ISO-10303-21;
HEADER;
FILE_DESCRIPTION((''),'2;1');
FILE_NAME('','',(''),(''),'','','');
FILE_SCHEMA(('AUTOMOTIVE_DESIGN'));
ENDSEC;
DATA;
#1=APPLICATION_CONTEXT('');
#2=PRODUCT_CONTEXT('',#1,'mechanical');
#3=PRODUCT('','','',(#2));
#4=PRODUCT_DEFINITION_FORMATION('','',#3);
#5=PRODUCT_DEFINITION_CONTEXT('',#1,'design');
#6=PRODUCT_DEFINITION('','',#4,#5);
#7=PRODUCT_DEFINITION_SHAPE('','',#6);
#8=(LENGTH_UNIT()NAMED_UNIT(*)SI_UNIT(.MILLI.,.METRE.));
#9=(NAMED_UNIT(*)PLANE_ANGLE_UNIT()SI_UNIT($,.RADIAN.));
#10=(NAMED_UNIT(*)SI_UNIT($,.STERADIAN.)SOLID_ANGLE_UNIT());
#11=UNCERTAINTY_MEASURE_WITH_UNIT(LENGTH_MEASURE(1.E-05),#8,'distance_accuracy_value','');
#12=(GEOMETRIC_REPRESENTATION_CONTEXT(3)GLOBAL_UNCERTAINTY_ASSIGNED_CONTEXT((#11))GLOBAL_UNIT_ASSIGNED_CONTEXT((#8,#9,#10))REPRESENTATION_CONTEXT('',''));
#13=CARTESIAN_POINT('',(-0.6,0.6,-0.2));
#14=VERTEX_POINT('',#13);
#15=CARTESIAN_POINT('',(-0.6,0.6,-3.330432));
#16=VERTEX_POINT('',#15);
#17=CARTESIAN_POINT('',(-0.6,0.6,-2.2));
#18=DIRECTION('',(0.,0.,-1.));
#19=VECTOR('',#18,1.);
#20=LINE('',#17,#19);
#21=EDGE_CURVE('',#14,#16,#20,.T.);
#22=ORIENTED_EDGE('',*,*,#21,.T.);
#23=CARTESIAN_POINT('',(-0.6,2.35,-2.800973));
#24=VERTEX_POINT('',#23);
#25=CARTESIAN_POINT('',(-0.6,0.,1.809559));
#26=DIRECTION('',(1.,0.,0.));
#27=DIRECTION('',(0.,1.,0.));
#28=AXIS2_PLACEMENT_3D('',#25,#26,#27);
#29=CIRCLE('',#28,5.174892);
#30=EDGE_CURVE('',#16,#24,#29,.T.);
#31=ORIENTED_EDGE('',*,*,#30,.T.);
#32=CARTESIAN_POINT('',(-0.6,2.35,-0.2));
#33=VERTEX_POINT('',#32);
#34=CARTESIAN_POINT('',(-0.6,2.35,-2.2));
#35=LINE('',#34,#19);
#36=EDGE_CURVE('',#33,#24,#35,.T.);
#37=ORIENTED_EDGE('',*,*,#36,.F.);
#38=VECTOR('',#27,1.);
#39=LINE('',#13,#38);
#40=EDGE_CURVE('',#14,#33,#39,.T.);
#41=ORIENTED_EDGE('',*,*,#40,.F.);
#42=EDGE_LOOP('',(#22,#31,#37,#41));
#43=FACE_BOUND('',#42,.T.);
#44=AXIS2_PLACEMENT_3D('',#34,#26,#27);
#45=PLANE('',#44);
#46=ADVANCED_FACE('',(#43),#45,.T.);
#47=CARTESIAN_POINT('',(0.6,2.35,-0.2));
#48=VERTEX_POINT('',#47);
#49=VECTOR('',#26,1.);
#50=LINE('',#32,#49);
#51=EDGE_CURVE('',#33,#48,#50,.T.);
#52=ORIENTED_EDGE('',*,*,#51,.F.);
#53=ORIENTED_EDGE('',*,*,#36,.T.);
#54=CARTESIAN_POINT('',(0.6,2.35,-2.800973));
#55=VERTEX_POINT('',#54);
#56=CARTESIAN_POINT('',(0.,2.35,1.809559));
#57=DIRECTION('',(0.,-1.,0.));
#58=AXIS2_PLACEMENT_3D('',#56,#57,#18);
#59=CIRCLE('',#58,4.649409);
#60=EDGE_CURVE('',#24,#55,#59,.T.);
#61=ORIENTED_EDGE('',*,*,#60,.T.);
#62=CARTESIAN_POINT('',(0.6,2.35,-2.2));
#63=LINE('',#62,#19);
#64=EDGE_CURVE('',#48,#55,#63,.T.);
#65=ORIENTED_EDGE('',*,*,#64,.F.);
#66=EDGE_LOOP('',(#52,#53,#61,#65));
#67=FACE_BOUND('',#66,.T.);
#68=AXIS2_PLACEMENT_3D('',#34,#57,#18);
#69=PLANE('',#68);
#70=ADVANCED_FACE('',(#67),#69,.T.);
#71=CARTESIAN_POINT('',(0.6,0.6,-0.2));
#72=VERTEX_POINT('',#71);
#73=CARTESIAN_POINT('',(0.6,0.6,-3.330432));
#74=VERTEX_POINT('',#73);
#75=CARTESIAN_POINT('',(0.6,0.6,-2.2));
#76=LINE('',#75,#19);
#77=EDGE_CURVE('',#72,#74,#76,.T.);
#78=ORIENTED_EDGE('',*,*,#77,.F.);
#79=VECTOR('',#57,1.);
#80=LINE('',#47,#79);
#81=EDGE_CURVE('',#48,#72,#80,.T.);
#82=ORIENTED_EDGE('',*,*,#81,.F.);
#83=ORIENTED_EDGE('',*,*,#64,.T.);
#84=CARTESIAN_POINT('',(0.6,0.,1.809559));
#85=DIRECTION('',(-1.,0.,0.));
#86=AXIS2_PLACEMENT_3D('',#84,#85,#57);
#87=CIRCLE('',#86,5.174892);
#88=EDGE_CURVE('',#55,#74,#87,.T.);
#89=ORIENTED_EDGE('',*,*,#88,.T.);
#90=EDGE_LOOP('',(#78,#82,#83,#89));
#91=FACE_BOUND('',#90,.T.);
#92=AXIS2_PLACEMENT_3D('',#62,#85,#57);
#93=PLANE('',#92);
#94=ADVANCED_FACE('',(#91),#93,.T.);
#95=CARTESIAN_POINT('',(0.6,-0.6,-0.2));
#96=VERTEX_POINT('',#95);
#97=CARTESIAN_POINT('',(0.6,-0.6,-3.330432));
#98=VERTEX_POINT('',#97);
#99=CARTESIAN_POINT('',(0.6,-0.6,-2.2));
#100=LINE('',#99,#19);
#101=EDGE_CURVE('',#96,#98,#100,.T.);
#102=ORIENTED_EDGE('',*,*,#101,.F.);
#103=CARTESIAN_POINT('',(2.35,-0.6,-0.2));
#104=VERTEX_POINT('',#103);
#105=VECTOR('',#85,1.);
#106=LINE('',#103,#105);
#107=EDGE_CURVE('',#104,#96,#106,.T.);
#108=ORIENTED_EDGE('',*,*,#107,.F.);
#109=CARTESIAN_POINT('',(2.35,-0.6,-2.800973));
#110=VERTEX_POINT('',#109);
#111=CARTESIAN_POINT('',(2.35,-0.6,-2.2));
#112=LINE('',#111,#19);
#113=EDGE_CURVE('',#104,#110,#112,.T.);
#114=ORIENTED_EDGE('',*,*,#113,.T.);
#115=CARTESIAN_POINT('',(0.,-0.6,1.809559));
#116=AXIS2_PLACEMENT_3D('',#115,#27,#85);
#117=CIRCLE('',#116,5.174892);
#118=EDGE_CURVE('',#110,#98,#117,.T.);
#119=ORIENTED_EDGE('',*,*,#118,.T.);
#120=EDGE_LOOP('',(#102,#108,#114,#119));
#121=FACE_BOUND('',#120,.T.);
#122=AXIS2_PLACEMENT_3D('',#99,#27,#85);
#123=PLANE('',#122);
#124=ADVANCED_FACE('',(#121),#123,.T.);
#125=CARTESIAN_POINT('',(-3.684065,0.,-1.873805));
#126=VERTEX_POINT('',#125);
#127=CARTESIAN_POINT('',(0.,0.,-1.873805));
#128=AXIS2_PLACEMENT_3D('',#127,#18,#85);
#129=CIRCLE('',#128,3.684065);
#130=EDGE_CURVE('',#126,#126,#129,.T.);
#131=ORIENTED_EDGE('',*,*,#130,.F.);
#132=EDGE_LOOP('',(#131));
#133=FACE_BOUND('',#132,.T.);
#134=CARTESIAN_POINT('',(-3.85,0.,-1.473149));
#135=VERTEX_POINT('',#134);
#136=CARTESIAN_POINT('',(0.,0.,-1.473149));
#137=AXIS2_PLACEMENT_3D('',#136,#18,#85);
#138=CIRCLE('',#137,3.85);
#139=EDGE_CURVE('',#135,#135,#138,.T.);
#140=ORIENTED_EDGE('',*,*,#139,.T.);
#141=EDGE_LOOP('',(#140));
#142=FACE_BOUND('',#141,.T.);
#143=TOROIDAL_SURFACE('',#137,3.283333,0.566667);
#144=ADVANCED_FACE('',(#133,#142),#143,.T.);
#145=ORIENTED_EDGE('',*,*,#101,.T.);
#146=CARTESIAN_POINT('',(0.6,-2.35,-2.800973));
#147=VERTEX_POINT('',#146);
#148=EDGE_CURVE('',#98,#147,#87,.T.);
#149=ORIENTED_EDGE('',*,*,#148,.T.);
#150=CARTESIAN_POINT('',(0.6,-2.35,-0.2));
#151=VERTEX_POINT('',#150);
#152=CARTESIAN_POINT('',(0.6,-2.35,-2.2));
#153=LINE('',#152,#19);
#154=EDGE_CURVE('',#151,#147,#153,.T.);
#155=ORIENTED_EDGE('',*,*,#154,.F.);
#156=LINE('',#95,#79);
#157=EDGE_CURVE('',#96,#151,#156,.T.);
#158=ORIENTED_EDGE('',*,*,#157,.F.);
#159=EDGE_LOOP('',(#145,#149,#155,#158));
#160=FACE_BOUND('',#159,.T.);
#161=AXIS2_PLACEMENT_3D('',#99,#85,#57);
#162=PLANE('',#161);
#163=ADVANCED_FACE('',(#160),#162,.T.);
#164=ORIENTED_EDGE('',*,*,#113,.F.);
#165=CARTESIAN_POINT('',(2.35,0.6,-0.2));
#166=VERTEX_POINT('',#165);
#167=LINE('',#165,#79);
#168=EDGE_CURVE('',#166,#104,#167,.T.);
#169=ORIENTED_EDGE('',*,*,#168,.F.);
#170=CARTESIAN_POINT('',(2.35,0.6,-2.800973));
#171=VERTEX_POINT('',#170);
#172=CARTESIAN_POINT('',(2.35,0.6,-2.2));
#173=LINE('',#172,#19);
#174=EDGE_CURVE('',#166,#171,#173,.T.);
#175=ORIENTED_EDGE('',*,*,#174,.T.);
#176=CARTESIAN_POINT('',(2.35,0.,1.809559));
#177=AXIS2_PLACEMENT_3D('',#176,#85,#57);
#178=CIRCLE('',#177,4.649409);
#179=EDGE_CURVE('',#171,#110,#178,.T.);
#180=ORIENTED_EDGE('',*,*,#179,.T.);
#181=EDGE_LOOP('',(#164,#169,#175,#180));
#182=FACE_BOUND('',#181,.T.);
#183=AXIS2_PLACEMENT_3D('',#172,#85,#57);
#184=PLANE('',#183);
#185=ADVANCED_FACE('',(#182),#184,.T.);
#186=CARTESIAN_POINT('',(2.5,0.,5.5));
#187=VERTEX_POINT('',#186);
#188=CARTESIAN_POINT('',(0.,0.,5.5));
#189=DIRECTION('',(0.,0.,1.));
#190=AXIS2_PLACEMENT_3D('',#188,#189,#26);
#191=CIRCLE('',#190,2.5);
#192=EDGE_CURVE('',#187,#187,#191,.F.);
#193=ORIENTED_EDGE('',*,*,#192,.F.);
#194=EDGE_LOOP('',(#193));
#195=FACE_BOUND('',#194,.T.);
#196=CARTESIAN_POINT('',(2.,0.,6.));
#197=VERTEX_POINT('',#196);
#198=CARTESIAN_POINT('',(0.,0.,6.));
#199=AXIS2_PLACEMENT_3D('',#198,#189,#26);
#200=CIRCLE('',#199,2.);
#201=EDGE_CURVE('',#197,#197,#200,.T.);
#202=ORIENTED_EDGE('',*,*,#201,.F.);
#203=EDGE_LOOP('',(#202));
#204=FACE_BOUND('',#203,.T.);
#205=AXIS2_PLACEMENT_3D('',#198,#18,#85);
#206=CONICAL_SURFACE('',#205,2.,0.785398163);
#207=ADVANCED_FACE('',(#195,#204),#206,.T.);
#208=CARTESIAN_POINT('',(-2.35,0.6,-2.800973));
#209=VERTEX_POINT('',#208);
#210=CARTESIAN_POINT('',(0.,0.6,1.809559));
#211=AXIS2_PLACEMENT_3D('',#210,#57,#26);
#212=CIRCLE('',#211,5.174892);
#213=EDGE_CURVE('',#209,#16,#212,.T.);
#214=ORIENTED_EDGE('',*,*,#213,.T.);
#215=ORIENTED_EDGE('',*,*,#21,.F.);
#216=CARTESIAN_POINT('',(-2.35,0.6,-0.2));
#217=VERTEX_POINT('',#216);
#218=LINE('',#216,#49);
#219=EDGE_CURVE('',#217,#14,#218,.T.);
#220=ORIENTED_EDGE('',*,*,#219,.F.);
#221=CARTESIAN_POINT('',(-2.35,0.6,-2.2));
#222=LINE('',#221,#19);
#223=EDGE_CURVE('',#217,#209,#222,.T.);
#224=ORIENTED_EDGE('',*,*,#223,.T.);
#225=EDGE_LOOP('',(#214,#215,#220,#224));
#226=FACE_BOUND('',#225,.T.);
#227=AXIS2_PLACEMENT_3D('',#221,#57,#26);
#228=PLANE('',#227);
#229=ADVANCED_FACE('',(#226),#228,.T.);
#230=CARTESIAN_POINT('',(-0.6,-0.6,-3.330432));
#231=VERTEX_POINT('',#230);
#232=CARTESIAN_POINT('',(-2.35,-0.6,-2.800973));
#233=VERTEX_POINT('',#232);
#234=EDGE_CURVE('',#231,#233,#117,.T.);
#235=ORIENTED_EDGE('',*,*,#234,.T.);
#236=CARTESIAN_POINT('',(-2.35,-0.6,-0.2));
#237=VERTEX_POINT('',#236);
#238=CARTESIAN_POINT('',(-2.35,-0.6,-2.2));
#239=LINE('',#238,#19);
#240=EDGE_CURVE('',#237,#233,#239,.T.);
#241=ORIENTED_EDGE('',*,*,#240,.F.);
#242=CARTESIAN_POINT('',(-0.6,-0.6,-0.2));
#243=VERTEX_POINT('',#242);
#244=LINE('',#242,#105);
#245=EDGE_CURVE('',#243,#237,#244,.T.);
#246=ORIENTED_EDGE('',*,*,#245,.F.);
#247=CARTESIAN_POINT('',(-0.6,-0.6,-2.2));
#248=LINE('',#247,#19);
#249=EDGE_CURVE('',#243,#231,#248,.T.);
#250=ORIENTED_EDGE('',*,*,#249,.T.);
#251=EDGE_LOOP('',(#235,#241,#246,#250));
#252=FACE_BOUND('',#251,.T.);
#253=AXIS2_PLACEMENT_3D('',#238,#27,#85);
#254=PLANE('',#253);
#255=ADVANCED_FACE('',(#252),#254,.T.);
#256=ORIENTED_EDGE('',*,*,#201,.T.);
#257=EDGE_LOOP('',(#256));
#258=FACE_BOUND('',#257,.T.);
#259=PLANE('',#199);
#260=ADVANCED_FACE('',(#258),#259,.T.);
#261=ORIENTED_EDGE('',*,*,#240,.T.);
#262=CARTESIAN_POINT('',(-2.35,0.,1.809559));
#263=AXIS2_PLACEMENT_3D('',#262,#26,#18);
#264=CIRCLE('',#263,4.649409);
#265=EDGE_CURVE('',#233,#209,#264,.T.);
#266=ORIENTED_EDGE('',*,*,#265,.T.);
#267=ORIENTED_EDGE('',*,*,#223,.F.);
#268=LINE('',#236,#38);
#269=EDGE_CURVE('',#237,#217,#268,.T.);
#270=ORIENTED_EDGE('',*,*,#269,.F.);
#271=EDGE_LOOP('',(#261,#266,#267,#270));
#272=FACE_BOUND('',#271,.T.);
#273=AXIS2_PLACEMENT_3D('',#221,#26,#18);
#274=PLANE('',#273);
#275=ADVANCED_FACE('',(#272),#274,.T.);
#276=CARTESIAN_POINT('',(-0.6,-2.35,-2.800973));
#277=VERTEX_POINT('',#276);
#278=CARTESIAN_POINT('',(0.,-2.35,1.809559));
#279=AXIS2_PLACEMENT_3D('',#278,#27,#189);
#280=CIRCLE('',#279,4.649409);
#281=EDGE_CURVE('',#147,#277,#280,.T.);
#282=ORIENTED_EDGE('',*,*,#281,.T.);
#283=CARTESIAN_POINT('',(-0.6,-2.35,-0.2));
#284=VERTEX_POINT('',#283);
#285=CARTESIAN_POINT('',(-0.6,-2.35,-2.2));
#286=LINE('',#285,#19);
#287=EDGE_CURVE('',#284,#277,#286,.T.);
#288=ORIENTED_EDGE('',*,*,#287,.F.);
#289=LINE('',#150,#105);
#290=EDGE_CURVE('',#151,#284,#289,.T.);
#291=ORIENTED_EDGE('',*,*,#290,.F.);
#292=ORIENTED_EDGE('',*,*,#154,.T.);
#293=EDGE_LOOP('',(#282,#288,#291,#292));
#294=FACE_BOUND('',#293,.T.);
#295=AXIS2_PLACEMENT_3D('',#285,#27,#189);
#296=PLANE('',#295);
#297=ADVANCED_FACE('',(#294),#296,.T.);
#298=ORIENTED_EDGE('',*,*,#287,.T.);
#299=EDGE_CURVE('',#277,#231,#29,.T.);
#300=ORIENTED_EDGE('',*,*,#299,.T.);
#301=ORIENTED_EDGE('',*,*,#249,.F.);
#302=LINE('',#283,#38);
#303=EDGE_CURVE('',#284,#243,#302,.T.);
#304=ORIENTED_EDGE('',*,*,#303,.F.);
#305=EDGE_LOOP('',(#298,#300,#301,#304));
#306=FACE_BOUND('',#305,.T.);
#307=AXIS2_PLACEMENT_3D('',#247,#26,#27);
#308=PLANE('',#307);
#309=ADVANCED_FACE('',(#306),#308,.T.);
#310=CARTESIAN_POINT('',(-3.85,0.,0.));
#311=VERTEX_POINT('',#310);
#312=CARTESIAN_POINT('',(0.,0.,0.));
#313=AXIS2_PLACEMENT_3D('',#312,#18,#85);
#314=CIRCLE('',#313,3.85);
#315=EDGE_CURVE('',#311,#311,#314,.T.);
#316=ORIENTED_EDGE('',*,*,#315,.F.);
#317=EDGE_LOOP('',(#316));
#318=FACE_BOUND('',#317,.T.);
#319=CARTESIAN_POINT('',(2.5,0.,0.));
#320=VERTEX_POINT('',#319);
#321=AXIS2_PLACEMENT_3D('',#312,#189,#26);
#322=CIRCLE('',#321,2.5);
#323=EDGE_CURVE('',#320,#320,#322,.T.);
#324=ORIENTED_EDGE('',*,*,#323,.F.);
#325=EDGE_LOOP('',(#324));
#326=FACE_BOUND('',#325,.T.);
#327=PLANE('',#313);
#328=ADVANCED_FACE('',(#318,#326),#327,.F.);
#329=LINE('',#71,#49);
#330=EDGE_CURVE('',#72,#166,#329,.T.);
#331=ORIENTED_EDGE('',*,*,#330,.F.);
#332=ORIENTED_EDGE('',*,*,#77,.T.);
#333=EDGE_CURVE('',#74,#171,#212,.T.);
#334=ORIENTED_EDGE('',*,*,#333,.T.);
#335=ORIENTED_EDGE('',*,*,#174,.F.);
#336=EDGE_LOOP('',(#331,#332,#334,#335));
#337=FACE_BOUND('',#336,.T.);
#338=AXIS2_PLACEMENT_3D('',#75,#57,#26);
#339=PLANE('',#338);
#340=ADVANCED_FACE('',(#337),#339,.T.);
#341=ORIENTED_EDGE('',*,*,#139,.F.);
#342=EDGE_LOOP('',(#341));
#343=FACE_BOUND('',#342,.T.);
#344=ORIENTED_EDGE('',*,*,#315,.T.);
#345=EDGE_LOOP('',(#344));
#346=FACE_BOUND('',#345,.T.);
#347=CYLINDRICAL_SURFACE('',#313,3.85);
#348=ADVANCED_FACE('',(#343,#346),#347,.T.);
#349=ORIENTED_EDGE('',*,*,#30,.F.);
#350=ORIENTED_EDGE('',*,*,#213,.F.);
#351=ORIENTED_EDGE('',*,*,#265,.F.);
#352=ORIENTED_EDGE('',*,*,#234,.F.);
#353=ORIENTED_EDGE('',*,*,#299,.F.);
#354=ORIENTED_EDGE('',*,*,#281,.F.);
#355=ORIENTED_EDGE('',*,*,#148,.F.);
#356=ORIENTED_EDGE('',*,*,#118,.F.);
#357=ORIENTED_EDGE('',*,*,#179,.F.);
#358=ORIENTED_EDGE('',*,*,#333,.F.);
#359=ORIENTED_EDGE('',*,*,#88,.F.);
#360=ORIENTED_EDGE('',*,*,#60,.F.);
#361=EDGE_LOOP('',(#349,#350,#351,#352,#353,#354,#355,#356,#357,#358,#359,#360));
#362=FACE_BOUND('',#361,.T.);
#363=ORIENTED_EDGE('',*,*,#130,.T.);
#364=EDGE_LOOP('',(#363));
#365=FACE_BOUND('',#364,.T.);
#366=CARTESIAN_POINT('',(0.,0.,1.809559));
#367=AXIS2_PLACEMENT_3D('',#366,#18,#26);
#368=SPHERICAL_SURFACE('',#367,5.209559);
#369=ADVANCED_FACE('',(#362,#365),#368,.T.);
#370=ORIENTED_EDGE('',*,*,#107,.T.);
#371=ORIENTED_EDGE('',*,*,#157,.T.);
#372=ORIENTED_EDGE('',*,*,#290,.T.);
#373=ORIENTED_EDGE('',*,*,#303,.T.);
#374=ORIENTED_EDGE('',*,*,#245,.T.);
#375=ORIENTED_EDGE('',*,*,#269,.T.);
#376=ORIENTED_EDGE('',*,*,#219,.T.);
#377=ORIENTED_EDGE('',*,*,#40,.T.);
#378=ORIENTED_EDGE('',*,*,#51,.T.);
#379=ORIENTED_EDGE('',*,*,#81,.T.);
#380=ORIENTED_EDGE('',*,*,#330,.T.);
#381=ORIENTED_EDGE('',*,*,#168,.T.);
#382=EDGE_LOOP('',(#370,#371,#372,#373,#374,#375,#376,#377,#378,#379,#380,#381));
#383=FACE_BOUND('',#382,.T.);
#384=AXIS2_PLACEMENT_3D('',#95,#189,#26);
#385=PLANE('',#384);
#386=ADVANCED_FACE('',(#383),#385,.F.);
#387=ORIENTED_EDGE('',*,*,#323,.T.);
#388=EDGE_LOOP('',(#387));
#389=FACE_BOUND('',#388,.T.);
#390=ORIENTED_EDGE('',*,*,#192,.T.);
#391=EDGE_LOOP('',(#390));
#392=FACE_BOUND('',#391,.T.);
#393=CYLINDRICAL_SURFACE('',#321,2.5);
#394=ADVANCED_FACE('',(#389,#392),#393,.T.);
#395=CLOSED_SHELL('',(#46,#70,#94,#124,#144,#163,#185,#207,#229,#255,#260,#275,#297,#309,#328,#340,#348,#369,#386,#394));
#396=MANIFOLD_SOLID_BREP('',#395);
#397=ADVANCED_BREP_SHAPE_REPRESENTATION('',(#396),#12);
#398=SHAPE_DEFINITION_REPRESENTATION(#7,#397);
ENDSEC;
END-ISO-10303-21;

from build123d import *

# Parameters (mm, degrees)
ENLEV_MAT_EXTRU_1_DEPTH = 1.2
ESQUISSE3_W             = 2.5
ESQUISSE3_H             = 6
CHANFREIN1_SIZE         = 0.5
ENL_V_MAT_EXTRU_1_DEPTH = 2


with BuildPart() as part:
    # Esquisse1 → Base-Révolution (revolve)
    with BuildSketch(Plane(origin=(0, 0, 0), x_dir=(1, 0, 0), z_dir=(0, 1, 0))):
        with BuildLine():
            Line((0, 0), (3.85, 0))
            Line((3.85, 0), (3.85, 1.47314887))
            ThreePointArc((3.85, 1.47314887), (3.806875399, 1.689977873), (3.684065354, 1.873804531))
            ThreePointArc((3.684065354, 1.873804531), (1.993841151, 3.003350962), (0, 3.4))
            Line((0, 3.4), (0, 0))
        make_face()
    revolve(axis=Axis((0, 0, 0), (0, 0, -1)))

    # Esquisse2 → Enlev. mat.-Extru.1 (cut)
    with BuildSketch(Plane.XY.offset(-3.4)):
        Polygon((0.6, -0.6), (0.6, -2.35), (-0.6, -2.35), (-0.6, -0.6), (-2.35, -0.6), (-2.35, 0.6), (-0.6, 0.6), (-0.6, 2.35), (0.6, 2.35), (0.6, 0.6), (2.35, 0.6), (2.35, -0.6), align=None)
    extrude(amount=ENLEV_MAT_EXTRU_1_DEPTH, mode=Mode.SUBTRACT)

    # Esquisse3 → Boss.-Révol.1 (revolve)
    with BuildSketch(Plane(origin=(0, 0, 0), x_dir=(1, 0, 0), z_dir=(0, 1, 0))):
        with Locations((1.25, -3)):
            Rectangle(ESQUISSE3_W, ESQUISSE3_H)
    revolve(axis=Axis((0, 0, 0), (0, 0, 1)))

    # Chanfrein1
    chanfrein1_edges = [part.edges().sort_by_distance(p)[0] for p in [
        (-2.5, 0, 6),
    ]]
    chamfer(chanfrein1_edges, length=CHANFREIN1_SIZE)

    # Esquisse6 → Enlèv. mat.-Extru.1 (cut)
    with BuildSketch(Plane(origin=(0, 0, -2.2), x_dir=(-1, 0, 0), z_dir=(0, 0, -1))):
        Polygon((2.35, -0.6), (2.35, 0.6), (0.6, 0.6), (0.6, 2.35), (-0.6, 2.35), (-0.6, 0.6), (-2.35, 0.6), (-2.35, -0.6), (-0.6, -0.6), (-0.6, -2.35), (0.6, -2.35), (0.6, -0.6), align=None)
    extrude(amount=-ENL_V_MAT_EXTRU_1_DEPTH, mode=Mode.SUBTRACT)


solid = part.part
